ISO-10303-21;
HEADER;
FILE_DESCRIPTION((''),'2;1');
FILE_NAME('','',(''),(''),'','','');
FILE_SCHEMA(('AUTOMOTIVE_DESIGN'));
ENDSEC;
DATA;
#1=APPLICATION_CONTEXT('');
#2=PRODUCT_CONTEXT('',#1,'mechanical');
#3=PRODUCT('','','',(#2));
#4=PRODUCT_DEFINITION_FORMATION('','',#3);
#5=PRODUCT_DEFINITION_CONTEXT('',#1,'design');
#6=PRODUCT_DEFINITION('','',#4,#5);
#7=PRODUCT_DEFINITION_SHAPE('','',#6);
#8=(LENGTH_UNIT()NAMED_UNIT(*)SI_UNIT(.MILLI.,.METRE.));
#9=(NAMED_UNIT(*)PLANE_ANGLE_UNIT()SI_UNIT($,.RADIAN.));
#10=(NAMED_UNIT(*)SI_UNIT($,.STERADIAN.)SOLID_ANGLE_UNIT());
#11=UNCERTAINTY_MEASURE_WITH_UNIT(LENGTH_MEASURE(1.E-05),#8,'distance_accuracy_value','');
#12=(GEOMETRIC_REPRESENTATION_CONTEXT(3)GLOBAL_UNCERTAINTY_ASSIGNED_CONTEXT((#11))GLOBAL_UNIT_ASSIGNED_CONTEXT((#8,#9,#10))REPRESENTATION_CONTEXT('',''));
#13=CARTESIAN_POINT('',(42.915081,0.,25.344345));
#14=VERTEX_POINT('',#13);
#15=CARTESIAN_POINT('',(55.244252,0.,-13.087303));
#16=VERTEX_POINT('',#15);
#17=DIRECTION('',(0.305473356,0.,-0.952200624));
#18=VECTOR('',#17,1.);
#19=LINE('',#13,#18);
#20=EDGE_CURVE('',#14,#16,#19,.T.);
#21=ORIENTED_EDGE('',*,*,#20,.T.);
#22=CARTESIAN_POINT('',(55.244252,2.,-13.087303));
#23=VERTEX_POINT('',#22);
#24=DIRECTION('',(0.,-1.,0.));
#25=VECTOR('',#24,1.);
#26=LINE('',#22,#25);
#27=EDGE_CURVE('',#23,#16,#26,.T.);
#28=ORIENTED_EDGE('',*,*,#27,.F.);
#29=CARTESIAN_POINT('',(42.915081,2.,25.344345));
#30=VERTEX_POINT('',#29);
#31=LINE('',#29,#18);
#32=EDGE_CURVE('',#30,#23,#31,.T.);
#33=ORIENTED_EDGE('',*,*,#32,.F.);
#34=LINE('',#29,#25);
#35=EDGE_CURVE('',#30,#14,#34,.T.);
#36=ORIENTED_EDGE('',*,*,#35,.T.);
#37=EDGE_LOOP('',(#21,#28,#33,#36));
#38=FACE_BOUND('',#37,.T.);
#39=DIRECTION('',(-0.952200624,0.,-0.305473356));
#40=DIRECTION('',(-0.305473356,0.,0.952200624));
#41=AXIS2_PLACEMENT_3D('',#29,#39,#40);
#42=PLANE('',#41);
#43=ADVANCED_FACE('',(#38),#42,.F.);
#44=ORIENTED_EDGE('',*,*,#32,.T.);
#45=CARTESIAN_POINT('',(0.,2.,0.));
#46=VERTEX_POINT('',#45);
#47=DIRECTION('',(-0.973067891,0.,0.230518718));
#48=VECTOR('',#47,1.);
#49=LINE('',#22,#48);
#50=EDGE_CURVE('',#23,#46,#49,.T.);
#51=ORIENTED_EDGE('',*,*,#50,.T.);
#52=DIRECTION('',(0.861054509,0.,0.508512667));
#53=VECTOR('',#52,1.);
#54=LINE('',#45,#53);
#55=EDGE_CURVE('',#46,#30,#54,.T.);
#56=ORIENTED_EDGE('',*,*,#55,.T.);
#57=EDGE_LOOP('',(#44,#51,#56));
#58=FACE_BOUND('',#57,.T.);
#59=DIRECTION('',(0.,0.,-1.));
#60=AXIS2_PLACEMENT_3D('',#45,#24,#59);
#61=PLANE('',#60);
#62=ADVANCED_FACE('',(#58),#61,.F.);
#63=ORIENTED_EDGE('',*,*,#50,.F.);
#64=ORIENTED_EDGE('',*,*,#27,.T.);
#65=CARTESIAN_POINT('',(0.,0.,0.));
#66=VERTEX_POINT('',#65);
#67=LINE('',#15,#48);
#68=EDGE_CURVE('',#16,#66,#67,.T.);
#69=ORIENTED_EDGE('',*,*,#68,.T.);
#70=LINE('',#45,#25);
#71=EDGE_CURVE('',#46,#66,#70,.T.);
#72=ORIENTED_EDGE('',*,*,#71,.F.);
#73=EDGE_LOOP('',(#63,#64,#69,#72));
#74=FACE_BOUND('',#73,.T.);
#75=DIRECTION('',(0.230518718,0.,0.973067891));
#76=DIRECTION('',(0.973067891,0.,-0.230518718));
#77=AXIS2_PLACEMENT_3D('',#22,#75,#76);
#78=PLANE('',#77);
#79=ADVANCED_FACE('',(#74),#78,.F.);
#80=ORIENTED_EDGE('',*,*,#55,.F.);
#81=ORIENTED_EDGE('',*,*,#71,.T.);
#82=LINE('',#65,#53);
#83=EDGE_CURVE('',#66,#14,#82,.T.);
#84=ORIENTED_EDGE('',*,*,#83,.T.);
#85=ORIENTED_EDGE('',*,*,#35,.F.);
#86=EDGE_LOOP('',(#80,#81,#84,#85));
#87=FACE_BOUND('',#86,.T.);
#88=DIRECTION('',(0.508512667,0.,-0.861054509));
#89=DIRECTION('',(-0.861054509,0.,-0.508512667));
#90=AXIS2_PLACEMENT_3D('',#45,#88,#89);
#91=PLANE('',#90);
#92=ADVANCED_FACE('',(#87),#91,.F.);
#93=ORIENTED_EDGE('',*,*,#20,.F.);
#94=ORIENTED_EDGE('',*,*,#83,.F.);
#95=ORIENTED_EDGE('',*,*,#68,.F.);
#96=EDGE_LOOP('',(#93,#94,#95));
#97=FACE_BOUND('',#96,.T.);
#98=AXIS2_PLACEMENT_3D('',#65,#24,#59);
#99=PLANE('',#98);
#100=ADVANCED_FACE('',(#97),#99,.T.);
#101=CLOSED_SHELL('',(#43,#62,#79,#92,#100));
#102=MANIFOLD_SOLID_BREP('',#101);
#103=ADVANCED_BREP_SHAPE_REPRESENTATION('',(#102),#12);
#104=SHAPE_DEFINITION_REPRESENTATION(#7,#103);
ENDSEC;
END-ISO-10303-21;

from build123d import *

# Parameters (mm, degrees)
BOSS_EXTRU_1_DEPTH = 2


with BuildPart() as part:
    # Esquisse1 → Boss.-Extru.1 (new body)
    with BuildSketch(Plane(origin=(0, 0, 0), x_dir=(1, 0, 0), z_dir=(0, 1, 0))):
        Polygon((55.244252175, 13.087302851), (0, 0), (42.915081112, -25.344344797), align=None)
    extrude(amount=BOSS_EXTRU_1_DEPTH)


solid = part.part
